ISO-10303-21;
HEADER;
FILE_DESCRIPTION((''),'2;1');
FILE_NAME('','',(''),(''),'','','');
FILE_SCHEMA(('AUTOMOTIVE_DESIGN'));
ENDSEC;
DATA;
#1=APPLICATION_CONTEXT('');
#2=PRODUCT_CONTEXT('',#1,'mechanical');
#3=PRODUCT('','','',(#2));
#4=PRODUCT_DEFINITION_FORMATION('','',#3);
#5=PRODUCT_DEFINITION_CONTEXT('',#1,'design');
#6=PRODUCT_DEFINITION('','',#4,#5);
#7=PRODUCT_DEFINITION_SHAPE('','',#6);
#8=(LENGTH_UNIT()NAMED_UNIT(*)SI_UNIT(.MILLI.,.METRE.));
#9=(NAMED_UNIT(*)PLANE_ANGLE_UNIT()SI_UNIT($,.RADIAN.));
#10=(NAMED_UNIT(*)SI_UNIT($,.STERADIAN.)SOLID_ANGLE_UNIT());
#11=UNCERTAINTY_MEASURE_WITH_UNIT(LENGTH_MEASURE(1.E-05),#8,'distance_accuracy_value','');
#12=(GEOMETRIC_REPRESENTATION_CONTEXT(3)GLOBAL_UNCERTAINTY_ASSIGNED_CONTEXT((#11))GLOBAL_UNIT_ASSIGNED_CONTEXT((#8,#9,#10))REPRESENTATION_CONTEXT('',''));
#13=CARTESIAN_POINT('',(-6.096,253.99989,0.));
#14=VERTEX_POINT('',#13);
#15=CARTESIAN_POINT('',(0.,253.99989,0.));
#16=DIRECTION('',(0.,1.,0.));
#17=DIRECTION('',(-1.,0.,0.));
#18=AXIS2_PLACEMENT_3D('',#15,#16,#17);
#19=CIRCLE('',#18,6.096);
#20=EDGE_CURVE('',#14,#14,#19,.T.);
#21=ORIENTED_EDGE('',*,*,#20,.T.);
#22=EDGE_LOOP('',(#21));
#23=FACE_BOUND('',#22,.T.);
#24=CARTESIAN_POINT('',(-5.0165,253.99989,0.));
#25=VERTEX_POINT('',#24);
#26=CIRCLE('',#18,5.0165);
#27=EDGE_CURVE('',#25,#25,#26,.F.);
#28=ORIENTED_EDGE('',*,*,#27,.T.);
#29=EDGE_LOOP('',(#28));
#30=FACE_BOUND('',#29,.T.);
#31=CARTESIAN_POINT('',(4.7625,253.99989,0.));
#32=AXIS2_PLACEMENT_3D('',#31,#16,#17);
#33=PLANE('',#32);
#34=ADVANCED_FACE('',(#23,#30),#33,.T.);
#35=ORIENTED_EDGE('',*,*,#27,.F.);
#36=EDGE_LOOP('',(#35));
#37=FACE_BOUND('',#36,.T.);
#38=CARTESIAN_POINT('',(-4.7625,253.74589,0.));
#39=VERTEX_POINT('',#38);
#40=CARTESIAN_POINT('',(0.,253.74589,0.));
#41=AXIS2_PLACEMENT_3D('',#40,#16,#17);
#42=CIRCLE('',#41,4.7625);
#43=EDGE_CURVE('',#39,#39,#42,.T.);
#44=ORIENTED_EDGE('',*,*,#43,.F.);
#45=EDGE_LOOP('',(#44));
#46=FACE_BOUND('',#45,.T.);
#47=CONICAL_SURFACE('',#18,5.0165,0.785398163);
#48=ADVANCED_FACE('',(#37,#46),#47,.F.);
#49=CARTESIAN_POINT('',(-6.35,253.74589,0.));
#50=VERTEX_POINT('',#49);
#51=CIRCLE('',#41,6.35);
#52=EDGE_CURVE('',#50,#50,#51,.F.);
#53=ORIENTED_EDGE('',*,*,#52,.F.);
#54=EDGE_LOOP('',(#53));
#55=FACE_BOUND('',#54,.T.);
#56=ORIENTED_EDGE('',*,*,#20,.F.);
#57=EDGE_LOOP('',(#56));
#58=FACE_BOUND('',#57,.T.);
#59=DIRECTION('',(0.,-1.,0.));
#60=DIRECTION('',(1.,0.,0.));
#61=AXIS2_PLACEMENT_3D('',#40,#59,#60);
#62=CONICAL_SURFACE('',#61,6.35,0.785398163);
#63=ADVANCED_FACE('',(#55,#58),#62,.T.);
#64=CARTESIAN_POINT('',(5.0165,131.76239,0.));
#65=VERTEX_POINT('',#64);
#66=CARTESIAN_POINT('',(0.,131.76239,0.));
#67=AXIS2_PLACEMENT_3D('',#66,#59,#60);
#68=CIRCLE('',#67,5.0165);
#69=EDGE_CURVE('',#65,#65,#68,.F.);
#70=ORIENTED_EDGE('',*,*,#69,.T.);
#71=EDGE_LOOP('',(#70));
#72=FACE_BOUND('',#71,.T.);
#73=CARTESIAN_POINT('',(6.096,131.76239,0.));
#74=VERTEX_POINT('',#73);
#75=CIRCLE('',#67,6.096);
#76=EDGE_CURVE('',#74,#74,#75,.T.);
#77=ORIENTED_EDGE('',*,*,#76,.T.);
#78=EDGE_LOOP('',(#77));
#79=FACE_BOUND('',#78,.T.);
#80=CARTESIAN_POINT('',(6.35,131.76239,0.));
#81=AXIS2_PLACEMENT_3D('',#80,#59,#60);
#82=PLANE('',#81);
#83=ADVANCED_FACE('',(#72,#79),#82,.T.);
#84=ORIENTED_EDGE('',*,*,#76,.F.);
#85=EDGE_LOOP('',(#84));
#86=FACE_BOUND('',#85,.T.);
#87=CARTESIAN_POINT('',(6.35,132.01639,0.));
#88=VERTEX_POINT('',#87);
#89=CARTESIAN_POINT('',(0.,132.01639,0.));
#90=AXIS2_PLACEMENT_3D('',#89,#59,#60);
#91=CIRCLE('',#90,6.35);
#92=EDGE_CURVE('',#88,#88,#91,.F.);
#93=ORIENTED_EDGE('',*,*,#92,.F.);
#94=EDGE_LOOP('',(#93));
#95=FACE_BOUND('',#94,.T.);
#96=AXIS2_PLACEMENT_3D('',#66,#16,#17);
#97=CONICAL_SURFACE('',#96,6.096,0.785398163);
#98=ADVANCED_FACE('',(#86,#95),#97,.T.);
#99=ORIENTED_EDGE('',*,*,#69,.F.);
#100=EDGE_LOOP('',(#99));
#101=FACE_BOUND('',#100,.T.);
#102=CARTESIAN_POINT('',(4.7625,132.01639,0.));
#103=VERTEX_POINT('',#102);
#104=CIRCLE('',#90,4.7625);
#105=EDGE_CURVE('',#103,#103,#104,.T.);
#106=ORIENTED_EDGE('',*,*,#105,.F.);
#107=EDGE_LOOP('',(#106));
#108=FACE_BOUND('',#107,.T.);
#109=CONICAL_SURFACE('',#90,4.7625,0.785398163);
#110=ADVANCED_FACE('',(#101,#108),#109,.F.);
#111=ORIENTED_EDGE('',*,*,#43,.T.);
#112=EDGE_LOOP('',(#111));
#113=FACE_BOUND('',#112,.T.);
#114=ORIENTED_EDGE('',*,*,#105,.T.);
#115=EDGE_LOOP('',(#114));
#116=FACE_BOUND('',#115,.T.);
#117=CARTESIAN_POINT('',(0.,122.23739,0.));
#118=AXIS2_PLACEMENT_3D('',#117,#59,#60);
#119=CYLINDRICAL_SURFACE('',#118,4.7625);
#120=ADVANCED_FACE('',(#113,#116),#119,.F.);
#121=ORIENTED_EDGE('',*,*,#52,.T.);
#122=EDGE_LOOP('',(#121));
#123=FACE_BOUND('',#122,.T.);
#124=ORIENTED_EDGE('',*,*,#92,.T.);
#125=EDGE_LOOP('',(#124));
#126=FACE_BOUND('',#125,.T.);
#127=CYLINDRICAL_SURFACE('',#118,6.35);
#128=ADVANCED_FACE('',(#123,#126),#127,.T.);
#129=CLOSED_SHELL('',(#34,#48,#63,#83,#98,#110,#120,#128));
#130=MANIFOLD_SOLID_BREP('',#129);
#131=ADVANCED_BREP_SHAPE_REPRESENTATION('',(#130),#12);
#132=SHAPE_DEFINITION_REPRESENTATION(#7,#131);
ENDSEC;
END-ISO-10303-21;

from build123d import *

# Parameters (mm, degrees)
SKETCH1_W     = 1.5875
SKETCH1_H     = 122.2375
CHAMFER1_SIZE = 0.254


with BuildPart() as part:
    # Sketch1 → Revolve1 (revolve)
    with BuildSketch(Plane.XY):
        with Locations((5.55625, 192.88113993)):
            Rectangle(SKETCH1_W, SKETCH1_H)
    revolve(axis=Axis((0, 122.23738993, 0), (0, 1, 0)))

    # Chamfer1
    chamfer1_edges = [part.edges().sort_by_distance(p)[0] for p in [
        (-6.35, 131.76238993, 0),
        (-6.35, 253.99988993, 0),
        (-4.7625, 253.99988993, 0),
        (-4.7625, 131.76238993, 0),
    ]]
    chamfer(chamfer1_edges, length=CHAMFER1_SIZE)


solid = part.part
